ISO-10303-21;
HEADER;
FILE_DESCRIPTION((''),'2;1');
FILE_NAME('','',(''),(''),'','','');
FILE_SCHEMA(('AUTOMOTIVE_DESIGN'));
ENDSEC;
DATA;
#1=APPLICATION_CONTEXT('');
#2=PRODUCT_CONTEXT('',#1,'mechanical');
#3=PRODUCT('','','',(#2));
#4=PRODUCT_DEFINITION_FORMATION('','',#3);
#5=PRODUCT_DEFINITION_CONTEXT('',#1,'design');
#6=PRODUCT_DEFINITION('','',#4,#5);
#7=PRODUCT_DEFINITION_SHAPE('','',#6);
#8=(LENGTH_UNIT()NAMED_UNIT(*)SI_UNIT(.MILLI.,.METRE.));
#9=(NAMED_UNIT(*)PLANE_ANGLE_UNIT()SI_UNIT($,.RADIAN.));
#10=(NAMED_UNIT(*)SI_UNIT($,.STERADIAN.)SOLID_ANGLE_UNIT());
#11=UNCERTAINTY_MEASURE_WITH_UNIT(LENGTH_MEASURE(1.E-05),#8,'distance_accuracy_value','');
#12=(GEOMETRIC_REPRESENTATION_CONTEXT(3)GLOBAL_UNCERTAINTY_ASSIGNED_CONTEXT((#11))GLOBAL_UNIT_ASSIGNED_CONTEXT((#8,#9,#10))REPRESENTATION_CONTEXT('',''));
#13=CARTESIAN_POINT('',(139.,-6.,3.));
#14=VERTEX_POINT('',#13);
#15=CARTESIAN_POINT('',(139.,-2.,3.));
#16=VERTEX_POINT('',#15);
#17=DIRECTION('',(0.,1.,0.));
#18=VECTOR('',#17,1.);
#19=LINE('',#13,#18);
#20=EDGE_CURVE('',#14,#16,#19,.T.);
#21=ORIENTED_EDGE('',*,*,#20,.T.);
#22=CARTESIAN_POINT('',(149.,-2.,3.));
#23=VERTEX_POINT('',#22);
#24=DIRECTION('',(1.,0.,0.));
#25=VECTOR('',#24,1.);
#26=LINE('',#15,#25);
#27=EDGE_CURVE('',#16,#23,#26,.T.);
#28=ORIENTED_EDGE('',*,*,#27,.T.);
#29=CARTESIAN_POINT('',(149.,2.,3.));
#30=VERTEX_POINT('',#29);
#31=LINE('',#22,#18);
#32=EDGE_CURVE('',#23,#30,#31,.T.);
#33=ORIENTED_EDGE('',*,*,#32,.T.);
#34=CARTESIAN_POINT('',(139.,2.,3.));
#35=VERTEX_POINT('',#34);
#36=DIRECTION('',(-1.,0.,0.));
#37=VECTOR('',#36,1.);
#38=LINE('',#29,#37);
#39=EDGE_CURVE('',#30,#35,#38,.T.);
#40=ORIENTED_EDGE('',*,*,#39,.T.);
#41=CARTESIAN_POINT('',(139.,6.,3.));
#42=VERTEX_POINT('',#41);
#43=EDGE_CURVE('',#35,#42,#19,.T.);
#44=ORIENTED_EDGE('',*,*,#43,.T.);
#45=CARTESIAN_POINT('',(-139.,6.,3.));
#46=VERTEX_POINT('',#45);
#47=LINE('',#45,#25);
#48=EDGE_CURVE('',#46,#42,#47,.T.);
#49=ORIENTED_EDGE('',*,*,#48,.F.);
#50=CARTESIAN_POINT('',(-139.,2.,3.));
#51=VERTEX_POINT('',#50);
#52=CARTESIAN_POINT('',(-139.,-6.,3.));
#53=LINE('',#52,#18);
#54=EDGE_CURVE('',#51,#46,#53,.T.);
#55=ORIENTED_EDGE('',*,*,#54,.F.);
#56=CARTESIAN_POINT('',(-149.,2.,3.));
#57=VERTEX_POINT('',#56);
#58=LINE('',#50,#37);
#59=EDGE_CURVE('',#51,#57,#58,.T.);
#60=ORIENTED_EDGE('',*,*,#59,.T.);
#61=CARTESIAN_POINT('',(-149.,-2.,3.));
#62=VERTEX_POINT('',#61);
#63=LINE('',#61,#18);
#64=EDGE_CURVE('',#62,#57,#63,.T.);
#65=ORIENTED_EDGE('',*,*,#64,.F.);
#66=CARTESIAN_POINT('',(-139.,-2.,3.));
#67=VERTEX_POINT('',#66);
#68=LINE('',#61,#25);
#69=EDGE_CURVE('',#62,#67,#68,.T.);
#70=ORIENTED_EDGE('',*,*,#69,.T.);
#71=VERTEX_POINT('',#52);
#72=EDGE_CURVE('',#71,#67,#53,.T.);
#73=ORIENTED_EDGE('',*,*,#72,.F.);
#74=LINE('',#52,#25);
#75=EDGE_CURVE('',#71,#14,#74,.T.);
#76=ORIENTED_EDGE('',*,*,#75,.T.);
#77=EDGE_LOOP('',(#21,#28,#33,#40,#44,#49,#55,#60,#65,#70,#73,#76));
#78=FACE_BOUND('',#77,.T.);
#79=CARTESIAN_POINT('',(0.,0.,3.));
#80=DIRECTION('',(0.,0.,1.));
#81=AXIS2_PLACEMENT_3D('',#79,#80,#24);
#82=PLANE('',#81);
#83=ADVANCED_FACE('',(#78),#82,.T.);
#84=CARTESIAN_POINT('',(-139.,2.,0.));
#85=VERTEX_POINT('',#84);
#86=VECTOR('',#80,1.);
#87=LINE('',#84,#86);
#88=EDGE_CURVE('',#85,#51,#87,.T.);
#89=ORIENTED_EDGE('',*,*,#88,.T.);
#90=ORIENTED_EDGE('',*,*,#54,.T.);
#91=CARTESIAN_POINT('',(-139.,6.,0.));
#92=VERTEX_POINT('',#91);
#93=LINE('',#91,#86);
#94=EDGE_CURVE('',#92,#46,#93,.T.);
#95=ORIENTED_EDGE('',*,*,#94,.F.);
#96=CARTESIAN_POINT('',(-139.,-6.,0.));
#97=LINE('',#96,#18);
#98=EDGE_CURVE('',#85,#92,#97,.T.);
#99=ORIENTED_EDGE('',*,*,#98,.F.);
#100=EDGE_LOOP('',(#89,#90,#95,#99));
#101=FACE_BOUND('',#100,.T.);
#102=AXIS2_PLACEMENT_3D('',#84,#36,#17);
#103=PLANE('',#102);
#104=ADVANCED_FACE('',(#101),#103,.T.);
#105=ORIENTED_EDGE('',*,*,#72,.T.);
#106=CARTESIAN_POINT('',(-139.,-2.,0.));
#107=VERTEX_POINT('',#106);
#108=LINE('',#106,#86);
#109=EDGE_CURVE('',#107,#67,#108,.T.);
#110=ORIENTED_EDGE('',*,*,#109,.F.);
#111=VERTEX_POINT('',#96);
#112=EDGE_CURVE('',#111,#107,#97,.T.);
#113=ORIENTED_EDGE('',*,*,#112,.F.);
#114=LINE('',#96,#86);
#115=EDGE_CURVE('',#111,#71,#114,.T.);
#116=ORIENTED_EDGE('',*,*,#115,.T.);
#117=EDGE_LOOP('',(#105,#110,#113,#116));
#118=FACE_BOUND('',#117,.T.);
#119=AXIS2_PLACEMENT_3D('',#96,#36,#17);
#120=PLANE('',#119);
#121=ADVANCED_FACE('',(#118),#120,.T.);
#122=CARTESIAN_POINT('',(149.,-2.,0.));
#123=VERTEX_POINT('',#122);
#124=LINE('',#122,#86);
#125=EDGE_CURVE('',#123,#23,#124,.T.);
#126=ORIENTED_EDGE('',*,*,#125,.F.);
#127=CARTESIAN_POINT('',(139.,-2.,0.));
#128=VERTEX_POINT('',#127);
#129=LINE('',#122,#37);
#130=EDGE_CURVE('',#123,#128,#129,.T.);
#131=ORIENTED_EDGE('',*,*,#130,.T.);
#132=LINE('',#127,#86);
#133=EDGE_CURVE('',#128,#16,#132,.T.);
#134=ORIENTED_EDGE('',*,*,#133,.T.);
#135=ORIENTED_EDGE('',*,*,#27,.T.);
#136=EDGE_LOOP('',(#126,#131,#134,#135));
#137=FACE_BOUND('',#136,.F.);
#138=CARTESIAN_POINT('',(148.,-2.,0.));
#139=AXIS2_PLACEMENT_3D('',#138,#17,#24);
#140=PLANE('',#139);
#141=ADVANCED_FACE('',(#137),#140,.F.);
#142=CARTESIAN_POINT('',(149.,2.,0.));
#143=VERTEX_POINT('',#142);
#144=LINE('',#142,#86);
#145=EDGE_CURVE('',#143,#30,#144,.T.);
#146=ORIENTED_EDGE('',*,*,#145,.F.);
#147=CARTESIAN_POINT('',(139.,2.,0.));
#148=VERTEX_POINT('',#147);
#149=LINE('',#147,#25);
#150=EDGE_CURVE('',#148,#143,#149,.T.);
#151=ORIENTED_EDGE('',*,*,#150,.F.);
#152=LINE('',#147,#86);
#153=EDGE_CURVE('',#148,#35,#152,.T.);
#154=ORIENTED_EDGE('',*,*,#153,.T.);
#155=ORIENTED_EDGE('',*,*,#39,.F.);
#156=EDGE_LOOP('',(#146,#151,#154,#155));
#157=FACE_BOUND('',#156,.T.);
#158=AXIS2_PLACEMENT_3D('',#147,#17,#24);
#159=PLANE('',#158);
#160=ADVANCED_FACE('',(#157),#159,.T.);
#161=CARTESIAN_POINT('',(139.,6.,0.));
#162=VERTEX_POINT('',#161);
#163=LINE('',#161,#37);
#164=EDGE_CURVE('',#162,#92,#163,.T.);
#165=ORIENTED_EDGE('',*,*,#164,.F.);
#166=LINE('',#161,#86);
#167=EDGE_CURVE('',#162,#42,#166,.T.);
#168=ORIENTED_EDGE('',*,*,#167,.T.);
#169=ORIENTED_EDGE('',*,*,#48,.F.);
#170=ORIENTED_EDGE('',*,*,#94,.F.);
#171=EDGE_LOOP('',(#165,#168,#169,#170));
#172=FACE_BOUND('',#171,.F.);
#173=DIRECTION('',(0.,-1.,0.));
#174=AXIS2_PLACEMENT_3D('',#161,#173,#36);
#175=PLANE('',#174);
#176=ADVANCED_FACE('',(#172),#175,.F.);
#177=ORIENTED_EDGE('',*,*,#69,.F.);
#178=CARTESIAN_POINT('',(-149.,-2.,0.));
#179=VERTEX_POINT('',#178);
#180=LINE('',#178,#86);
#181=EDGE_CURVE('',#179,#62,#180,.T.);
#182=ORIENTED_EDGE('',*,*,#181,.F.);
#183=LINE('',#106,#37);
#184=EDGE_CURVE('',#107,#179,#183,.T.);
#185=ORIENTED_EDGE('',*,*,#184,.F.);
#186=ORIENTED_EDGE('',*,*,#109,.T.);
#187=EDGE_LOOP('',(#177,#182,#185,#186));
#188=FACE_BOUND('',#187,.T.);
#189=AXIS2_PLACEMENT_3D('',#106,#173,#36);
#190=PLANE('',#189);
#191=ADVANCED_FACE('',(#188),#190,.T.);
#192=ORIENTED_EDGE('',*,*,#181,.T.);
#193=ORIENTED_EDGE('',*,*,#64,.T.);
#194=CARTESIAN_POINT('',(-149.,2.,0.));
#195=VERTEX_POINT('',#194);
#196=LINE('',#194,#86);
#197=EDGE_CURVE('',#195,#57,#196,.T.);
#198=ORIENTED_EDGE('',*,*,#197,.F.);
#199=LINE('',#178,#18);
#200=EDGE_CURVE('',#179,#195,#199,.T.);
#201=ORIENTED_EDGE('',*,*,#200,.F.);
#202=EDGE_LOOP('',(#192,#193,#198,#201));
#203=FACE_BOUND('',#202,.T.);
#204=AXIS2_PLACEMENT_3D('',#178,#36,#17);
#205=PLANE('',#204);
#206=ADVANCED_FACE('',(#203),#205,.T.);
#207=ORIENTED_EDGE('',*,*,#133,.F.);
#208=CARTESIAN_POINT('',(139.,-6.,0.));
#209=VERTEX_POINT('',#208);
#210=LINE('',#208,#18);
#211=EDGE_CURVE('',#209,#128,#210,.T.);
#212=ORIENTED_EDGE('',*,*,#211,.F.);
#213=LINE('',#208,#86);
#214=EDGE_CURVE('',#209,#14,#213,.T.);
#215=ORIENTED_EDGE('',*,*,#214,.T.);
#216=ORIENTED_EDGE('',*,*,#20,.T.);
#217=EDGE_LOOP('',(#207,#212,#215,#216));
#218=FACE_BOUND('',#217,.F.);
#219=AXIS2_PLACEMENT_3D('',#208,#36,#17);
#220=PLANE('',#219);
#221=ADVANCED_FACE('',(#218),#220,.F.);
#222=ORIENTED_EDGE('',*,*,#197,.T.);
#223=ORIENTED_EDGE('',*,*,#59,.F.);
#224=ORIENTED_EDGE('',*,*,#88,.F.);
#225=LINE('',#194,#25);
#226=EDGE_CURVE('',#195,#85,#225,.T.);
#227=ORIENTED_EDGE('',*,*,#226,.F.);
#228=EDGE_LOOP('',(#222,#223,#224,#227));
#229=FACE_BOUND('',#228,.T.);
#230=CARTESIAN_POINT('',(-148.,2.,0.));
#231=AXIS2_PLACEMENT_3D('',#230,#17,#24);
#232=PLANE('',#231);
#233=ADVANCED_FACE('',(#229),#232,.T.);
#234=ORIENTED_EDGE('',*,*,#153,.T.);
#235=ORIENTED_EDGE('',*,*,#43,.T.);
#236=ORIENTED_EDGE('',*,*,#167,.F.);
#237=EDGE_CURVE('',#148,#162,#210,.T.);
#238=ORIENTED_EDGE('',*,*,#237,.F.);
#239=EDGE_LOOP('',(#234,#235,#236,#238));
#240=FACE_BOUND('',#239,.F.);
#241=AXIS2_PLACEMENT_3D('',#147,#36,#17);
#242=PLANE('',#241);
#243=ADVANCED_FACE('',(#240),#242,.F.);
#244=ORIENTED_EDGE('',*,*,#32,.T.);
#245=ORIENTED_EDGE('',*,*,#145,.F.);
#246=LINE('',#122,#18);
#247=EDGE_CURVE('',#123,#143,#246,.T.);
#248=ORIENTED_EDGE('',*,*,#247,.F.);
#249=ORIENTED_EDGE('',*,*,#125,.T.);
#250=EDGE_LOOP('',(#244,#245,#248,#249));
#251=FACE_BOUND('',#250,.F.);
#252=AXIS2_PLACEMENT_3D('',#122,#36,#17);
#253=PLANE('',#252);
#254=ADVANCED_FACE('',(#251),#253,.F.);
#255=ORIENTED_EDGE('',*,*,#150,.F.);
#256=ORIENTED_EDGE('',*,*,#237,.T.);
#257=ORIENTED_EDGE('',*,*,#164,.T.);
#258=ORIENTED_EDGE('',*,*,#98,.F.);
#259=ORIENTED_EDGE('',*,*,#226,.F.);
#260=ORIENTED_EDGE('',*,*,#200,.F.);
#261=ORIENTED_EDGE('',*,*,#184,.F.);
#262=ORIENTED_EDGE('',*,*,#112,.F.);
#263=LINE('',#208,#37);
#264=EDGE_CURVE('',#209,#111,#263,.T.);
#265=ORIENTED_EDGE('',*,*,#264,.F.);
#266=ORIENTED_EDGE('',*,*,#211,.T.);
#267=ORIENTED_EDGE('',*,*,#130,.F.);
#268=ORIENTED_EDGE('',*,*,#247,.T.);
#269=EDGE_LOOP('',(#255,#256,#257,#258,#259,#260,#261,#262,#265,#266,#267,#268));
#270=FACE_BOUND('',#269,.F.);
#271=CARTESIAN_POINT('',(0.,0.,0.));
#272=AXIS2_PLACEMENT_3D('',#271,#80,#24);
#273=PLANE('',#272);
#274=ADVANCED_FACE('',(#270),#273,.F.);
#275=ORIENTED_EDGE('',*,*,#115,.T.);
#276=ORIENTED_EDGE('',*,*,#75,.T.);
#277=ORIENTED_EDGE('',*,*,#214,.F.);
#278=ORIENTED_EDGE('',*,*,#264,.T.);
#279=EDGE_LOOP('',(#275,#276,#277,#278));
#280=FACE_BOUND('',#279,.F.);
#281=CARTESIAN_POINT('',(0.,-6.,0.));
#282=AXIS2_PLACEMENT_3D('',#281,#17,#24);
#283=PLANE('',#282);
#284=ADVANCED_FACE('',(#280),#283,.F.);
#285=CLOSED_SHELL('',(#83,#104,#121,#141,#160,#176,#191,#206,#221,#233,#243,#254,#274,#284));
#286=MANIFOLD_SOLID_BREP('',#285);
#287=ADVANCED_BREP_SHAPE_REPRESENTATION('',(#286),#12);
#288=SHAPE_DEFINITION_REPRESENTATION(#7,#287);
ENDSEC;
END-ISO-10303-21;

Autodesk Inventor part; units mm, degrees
ref_plane "YZ Plane" through (0, 0, 0) normal (1, 0, 0) x (0, 1, 0)
ref_plane "XY Plane" through (0, 0, 0) normal (0, 0, 1) x (1, 0, 0)
sketch "草圖1" plane through (0, 0, 0) normal (0, 0, 1) x (1, 0, 0)
  line L0 (0, 6) -> (0, -6)
  line L1 (0, -6) -> (-139, -6)
  line L2 (-139, -6) -> (-139, 6)
  line L3 (-149, 2) -> (-139, 2)
  line L4 (-139, 2) -> (-139, -2)
  line L5 (-139, -2) -> (-149, -2)
  line L6 (-149, -2) -> (-149, 2)
  line L7 (0, -9.6) -> (0, 15.6)
  line L8 (-148, -2) -> (-139, -2)
  line L9 (-139, -2) -> (-139, -6)
  line L10 (-139, 6) -> (-139, 2)
  line L11 (-139, 2) -> (-148, 2)
  line L12 (-139, 6) -> (0, 6)
  line L13 (139, -6) -> (139, 6)
  line L14 (139, 6) -> (139, 2)
  line L15 (139, -2) -> (139, -6)
  line L16 (139, 2) -> (148, 2)
  line L17 (149, 2) -> (139, 2)
  line L18 (148, -2) -> (139, -2)
  line L19 (139, -2) -> (149, -2)
  line L20 (149, -2) -> (149, 2)
  line L21 (139, 2) -> (139, -2)
  line L22 (0, -6) -> (139, -6)
  line L23 (139, 6) -> (0, 6)
  point P0 (0, 0)
  point P1 (0, 0)
  point P2 (0, 0)
  dimension "d0" = 10
  dimension "d1" = 139
  dimension "d2" = 4
extrude "擠出1" add sketch "草圖1" along normal blind 3
ref_plane "工作平面1" through (0, 0, 1.5) normal (0, 0, -1) x (-1, 0, 0)
properties part number "rod_3"
